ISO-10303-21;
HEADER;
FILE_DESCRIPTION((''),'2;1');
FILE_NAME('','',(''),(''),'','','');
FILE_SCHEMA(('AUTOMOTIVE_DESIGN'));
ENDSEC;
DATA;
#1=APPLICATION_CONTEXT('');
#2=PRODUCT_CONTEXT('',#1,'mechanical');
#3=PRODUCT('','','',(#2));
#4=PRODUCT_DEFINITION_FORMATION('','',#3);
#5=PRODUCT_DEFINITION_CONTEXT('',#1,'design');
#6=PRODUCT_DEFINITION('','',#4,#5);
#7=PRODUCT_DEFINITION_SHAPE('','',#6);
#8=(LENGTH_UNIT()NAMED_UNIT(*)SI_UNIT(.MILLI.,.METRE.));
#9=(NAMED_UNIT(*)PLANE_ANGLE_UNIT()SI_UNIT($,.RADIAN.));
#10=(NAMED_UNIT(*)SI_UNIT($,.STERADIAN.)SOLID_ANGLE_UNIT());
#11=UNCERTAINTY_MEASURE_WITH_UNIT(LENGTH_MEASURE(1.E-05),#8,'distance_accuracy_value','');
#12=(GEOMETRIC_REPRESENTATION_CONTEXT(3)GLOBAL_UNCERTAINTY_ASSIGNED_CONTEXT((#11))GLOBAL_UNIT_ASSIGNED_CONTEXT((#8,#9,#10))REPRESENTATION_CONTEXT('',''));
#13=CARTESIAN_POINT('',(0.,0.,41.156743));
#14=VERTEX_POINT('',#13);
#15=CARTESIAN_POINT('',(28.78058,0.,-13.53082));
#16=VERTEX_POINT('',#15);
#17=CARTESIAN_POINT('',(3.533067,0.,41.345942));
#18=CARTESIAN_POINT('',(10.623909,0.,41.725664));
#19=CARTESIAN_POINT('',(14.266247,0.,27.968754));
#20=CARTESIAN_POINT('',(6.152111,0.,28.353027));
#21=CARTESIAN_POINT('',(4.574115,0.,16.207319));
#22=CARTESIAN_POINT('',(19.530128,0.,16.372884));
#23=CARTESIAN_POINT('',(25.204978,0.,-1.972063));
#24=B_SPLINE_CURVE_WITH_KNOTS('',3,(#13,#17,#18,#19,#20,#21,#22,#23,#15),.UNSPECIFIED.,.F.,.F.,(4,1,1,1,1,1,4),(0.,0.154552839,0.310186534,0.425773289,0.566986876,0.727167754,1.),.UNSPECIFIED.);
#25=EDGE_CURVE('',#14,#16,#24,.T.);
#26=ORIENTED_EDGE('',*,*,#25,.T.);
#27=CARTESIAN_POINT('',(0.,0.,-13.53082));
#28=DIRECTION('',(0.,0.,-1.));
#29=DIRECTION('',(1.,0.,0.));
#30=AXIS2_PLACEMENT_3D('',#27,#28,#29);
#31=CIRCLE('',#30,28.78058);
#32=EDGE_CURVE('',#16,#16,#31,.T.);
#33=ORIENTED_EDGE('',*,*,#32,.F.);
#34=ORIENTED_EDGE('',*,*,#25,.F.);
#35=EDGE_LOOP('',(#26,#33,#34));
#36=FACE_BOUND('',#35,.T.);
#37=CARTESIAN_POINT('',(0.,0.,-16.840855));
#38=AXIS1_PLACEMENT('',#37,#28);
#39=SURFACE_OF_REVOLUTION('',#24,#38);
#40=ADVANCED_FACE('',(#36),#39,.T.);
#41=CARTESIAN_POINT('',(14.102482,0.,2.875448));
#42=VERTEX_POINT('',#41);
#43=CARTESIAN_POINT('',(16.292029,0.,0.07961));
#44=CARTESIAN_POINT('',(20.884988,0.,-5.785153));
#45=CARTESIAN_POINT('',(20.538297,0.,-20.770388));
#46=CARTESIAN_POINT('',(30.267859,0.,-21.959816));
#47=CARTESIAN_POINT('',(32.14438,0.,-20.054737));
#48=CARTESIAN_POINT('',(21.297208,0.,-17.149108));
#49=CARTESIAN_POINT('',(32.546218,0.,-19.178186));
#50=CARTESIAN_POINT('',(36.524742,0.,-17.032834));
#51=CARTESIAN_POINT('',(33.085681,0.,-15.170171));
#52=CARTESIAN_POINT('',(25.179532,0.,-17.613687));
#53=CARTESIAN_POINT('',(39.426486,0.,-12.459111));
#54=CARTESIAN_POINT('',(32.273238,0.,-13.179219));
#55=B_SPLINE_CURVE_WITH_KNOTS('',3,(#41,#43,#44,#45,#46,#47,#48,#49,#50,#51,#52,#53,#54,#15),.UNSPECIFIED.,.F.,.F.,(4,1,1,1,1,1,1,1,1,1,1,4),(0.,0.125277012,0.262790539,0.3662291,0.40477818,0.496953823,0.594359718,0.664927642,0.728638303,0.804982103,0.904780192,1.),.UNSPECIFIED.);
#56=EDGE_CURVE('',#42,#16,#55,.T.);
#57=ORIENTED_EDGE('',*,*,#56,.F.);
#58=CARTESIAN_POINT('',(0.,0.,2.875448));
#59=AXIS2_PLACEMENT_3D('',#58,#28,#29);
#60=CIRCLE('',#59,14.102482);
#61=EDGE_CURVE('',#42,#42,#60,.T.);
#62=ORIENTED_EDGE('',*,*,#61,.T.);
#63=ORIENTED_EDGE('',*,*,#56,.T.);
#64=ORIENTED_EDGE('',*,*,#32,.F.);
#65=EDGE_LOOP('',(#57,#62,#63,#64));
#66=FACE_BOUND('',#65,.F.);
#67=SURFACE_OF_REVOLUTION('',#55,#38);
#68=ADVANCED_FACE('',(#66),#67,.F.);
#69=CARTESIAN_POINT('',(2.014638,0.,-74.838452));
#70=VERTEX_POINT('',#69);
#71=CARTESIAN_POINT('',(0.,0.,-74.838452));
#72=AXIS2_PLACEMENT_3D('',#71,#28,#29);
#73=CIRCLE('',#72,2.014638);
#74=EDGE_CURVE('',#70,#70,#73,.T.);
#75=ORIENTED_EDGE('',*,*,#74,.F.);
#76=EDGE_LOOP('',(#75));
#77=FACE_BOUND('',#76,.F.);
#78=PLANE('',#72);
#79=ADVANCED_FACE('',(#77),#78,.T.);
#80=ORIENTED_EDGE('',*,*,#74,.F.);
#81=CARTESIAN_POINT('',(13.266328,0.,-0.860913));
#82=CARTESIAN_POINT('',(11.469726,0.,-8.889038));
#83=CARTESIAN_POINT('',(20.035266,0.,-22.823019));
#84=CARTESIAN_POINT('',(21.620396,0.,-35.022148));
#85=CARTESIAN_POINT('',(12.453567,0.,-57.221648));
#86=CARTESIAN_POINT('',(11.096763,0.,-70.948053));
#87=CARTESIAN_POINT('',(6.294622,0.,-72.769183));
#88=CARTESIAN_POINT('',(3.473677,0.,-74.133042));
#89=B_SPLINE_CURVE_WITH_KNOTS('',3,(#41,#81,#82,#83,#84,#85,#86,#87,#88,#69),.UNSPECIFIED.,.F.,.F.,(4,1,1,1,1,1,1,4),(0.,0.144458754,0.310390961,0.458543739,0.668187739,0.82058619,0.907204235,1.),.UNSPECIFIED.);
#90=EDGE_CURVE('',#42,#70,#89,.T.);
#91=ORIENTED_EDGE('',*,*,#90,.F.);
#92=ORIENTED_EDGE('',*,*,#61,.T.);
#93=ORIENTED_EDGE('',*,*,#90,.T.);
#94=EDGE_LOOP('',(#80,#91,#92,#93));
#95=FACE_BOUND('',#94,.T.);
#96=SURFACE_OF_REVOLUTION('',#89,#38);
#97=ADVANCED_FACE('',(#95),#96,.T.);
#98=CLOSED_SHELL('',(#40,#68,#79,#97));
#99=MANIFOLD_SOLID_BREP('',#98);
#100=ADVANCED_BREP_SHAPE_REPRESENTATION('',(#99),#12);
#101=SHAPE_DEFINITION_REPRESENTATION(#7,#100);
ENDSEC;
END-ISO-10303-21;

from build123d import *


with BuildPart() as f1:
    # F0 (on Front) → F1 (revolve)
    with BuildSketch(Plane.XZ):
        with BuildLine():
            add(Edge.make_bspline(
                [(0, 41.1567427218), (3.5330668812, 41.3459420691), (10.6239089344, 41.7256639181), (14.266246821, 27.9687535981), (6.1521109047, 28.353027009), (4.5741146539, 16.2073189395), (19.5301275828, 16.3728844405), (25.2049783065, -1.9720631622), (28.780579567, -13.5308196768)],
                knots=[0, 0, 0, 0, 0.1545528389, 0.3101865338, 0.4257732889, 0.5669868764, 0.7271677537, 1, 1, 1, 1], degree=3))
            Line((0, 41.1567427218), (0, -74.8384520411))
            Line((0, -74.8384520411), (2.0146379247, -74.8384520411))
            add(Edge.make_bspline(
                [(14.1024822369, 2.8754482046), (13.266327596, -0.8609134224), (11.4697258978, -8.8890380246), (20.0352655462, -22.8230190901), (21.6203963897, -35.0221482665), (12.4535671703, -57.221648171), (11.0967628773, -70.9480532796), (6.2946221674, -72.7691829911), (3.4736770183, -74.1330418649), (2.0146379247, -74.8384520411)],
                knots=[0, 0, 0, 0, 0.1444587539, 0.310390961, 0.458543739, 0.6681877394, 0.8205861904, 0.9072042354, 1, 1, 1, 1], degree=3))
            add(Edge.make_bspline(
                [(14.1024822369, 2.8754482046), (16.2920289853, 0.0796095821), (20.8849879199, -5.7851530638), (20.5382972708, -20.7703882248), (30.2678594516, -21.9598164457), (32.1443803256, -20.0547367522), (21.2972081287, -17.1491077018), (32.5462181682, -19.1781856745), (36.5247415519, -17.0328343675), (33.0856807078, -15.1701709923), (25.1795317648, -17.6136868277), (39.4264864827, -12.4591111672), (32.2732381459, -13.179218639), (28.780579567, -13.5308196768)],
                knots=[0, 0, 0, 0, 0.1252770115, 0.2627905386, 0.3662290998, 0.4047781803, 0.4969538228, 0.5943597175, 0.6649276423, 0.7286383029, 0.8049821032, 0.9047801924, 1, 1, 1, 1], degree=3))
        make_face()
    revolve(axis=Axis((0, 0, -16.8408546597), (0, 0, -1)))


solid = f1.part
